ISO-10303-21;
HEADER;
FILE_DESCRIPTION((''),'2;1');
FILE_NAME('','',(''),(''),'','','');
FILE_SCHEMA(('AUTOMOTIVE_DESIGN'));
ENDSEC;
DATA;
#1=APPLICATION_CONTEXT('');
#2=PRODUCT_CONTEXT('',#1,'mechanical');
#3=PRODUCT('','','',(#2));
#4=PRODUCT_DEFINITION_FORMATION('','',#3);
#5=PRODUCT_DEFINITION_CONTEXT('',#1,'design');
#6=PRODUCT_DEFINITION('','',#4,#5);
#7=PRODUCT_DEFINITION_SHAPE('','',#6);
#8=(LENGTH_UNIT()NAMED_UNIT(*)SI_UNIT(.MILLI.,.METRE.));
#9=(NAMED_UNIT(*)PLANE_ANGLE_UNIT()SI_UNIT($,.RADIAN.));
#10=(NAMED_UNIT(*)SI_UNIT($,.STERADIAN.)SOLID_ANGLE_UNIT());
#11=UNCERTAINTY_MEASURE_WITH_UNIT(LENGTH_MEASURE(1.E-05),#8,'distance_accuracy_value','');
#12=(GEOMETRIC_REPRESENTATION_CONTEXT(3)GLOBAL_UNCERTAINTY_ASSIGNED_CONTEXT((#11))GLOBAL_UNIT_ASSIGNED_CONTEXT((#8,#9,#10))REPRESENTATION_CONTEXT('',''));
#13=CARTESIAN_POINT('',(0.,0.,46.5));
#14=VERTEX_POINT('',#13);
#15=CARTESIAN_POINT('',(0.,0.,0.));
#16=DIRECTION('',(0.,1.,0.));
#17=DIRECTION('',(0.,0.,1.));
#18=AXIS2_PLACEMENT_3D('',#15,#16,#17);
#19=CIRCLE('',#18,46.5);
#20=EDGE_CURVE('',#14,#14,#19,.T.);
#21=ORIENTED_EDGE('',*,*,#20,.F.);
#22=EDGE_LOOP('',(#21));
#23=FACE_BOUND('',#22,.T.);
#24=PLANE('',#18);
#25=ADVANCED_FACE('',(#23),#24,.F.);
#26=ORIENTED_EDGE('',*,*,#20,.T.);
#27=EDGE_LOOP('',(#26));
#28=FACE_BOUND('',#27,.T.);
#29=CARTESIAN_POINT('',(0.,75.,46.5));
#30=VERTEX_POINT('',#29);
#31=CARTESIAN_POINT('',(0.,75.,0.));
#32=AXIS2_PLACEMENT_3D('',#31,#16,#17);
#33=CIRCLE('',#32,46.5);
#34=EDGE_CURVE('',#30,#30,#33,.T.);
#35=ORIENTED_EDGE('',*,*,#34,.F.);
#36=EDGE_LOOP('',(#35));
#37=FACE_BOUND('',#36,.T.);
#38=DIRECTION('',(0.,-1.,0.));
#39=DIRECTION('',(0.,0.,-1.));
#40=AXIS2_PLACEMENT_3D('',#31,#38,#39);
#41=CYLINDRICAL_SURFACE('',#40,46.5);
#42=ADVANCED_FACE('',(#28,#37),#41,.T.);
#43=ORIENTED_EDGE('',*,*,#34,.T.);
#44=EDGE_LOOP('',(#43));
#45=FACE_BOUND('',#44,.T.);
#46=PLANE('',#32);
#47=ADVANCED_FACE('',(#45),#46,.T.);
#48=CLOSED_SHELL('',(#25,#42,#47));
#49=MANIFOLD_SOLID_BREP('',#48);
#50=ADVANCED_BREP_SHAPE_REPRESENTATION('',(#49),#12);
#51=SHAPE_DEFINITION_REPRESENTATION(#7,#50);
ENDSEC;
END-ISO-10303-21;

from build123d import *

# Parameters (mm, degrees)
SKETCH_1_R      = 46.5
EXTRUDE_1_DEPTH = 75


with BuildPart() as part:
    # 草图1 → 凸台-拉伸1 (new body)
    with BuildSketch(Plane(origin=(0, 0, 0), x_dir=(1, 0, 0), z_dir=(0, 1, 0))):
        with Locations(Location((0, 0, 0), (0, 0, 270))):
            Circle(SKETCH_1_R)
    extrude(amount=EXTRUDE_1_DEPTH)


solid = part.part
